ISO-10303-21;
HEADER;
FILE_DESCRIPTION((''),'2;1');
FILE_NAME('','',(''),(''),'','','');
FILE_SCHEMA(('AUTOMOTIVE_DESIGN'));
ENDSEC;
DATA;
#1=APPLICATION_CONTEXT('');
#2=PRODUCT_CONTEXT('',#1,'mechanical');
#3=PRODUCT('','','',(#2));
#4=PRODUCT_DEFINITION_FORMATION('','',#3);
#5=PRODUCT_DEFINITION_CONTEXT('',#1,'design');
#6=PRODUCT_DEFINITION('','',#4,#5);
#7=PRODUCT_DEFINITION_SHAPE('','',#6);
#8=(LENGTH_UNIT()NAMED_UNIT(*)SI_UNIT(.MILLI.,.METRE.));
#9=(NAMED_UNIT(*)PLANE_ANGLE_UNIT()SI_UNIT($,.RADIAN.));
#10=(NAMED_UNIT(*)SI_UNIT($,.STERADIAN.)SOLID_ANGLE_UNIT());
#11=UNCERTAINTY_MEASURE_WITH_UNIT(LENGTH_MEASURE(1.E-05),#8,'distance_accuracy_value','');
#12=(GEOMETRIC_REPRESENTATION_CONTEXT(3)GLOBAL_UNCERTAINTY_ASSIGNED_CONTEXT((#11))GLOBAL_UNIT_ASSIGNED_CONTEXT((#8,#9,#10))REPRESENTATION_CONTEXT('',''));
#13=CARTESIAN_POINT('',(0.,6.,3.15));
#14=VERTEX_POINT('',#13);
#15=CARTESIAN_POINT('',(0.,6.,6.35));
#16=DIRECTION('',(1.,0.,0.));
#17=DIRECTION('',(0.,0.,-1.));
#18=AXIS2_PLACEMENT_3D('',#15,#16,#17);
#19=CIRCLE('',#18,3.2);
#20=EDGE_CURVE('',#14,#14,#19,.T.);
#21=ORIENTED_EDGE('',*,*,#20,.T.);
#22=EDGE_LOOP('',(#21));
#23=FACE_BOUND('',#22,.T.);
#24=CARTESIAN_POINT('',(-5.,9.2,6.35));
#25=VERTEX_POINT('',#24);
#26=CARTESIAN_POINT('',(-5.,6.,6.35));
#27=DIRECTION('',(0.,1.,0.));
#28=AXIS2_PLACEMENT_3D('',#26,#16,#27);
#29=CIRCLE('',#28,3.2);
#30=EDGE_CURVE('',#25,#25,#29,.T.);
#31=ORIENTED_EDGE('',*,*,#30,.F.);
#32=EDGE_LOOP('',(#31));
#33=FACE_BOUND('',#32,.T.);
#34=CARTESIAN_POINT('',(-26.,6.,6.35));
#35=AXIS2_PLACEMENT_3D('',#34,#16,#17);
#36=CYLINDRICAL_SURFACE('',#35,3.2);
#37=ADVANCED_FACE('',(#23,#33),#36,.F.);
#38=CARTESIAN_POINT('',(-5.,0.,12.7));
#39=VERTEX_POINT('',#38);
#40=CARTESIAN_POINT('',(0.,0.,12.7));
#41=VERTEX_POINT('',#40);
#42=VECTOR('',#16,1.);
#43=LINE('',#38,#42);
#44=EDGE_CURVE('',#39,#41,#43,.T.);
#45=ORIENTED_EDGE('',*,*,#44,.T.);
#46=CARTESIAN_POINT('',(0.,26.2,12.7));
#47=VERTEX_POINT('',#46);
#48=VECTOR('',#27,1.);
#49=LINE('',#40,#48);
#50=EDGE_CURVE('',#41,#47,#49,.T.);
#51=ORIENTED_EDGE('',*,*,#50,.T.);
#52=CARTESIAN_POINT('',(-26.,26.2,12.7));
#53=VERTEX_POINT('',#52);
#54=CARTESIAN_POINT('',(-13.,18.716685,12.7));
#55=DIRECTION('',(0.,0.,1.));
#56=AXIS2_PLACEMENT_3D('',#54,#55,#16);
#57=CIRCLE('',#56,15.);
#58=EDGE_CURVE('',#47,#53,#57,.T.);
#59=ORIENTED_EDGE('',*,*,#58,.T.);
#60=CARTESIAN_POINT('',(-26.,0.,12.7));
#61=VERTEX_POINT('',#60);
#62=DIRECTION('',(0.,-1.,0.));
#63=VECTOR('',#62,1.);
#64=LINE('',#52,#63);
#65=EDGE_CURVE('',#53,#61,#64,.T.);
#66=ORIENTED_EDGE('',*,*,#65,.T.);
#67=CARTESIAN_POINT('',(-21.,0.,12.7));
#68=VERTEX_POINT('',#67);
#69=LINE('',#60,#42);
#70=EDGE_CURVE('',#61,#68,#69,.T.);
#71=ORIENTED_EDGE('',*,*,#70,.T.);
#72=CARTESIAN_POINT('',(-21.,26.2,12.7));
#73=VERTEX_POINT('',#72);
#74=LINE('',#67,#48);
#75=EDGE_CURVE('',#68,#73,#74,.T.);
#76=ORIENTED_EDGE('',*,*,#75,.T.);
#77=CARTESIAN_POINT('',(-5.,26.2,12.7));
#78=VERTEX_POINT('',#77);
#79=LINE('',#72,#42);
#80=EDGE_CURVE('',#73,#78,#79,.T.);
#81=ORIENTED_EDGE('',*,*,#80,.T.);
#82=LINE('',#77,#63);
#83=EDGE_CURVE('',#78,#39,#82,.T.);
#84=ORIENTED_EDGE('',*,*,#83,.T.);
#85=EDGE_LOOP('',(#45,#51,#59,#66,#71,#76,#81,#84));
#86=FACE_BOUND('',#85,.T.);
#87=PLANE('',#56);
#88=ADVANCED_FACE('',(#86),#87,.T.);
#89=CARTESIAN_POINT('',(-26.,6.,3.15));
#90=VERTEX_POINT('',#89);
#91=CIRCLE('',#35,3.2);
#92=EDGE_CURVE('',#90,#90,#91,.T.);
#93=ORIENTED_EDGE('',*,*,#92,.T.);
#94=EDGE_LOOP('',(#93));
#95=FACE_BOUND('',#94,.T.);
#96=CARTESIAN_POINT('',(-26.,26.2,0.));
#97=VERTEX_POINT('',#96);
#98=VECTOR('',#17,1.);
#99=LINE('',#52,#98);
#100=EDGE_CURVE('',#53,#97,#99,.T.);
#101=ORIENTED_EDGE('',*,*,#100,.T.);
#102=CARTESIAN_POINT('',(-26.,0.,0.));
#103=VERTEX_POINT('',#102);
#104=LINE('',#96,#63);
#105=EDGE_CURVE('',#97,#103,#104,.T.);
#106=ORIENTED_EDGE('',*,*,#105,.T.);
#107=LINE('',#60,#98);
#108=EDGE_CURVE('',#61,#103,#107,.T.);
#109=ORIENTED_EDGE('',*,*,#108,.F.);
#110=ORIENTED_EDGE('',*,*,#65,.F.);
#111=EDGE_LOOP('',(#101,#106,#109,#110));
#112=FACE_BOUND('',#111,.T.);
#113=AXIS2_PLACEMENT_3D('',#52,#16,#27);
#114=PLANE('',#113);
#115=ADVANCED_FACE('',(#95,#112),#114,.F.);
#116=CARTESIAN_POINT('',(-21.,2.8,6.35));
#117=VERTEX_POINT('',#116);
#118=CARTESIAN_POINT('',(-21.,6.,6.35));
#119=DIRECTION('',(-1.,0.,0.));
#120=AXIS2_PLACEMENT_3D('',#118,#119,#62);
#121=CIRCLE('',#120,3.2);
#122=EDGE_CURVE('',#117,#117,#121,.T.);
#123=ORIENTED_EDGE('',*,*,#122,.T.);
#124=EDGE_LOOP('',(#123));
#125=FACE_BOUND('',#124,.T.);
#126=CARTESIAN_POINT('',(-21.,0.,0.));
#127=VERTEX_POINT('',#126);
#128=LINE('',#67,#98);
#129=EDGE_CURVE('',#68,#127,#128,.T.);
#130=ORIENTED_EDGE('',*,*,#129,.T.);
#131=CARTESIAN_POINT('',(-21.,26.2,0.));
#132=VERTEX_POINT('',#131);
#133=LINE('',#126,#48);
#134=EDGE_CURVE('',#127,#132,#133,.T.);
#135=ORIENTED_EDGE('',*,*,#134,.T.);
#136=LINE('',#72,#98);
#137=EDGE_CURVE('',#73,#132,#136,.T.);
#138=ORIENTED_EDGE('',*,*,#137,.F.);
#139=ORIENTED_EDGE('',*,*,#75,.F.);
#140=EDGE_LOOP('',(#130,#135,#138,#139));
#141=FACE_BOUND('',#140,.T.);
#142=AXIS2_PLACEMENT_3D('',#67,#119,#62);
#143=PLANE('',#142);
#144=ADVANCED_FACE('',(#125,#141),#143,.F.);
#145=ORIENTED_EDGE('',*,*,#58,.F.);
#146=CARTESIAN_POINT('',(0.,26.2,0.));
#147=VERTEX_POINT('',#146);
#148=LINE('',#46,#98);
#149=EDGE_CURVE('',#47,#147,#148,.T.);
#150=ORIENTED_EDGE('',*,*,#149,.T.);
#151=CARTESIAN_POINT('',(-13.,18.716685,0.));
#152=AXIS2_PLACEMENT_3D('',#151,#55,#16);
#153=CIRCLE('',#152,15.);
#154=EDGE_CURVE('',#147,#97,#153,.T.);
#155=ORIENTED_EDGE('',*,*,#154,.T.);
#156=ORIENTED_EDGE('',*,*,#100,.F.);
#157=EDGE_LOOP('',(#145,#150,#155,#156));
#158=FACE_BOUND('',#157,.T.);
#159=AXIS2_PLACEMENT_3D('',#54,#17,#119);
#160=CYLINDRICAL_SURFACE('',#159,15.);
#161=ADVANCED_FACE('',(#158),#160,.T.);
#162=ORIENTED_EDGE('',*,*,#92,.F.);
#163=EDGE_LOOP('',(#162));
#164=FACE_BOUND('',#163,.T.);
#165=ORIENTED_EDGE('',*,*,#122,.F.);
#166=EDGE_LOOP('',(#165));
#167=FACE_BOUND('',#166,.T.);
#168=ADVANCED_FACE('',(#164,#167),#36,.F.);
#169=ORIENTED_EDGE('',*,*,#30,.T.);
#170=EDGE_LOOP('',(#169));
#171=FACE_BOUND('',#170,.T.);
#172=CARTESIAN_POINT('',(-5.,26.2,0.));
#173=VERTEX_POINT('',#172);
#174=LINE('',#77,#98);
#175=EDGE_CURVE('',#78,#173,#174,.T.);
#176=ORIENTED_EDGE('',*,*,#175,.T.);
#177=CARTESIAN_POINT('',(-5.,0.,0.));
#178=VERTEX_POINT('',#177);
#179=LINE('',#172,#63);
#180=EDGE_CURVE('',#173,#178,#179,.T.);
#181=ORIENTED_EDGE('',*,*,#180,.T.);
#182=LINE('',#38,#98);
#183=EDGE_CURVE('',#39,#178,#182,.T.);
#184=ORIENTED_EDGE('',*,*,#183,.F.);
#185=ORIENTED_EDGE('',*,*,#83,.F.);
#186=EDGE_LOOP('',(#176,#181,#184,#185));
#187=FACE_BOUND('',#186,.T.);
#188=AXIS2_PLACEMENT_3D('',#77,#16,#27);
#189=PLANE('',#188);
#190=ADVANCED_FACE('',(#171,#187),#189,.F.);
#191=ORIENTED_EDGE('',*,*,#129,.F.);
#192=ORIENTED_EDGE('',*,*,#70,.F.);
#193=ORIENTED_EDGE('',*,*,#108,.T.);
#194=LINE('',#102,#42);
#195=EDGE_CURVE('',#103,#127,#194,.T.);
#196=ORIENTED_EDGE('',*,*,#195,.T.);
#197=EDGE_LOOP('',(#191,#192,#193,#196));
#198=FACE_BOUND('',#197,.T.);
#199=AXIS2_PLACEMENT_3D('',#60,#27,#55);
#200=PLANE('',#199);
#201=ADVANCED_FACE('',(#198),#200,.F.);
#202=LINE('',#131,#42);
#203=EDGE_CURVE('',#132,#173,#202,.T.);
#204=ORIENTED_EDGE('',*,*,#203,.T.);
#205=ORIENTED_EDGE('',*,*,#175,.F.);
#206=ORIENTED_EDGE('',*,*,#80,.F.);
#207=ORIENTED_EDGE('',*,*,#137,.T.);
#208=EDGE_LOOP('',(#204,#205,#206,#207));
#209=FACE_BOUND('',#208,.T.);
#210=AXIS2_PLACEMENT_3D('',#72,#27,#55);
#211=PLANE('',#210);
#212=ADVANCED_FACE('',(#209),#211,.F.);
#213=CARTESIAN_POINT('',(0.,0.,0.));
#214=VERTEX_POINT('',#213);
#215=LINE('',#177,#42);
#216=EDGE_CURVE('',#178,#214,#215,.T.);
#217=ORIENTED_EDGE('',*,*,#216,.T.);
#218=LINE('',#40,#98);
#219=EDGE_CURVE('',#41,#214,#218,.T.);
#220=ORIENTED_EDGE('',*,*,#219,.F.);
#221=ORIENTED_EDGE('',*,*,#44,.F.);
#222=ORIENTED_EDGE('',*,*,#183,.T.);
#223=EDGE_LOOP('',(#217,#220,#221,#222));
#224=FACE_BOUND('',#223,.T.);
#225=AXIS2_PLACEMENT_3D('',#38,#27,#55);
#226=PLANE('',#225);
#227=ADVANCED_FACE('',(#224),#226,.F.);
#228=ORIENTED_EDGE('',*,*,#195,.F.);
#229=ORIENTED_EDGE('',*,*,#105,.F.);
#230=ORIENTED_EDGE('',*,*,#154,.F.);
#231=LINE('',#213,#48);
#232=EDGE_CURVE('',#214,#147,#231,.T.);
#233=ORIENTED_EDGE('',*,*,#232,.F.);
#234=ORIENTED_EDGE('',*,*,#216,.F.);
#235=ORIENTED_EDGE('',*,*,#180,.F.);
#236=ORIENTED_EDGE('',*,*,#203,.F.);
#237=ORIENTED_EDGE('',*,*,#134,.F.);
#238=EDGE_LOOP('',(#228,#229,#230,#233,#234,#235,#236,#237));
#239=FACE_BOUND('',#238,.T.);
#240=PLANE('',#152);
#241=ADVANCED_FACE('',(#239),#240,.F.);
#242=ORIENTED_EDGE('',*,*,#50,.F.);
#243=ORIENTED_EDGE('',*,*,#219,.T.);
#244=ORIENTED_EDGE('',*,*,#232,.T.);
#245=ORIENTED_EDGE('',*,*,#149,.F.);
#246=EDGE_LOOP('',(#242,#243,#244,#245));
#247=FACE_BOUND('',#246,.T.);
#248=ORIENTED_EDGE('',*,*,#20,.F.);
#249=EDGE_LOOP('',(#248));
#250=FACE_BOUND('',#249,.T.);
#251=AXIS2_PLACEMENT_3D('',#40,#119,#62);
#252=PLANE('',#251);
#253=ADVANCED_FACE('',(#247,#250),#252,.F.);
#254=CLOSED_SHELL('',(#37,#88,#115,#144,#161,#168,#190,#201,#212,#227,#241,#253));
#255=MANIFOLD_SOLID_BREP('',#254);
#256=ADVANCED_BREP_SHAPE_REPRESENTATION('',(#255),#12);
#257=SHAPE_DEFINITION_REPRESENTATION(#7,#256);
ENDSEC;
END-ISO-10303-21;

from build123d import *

# Parameters (mm, degrees)
BOSS_EXTRUDE1_DEPTH = 12.7
SKETCH2_R           = 3.2
CUT_EXTRUDE1_DEPTH  = 27


with BuildPart() as part:
    # Sketch1 → Boss-Extrude1 (new body)
    with BuildSketch(Plane.XY):
        with BuildLine():
            Line((0, 0), (0, 26.2))
            ThreePointArc((0, 26.2), (-13, 33.716685226), (-26, 26.2))
            Line((-26, 26.2), (-26, 0))
            Line((-26, 0), (-21, 0))
            Line((-21, 0), (-21, 26.2))
            Line((-21, 26.2), (-5, 26.2))
            Line((-5, 26.2), (-5, 0))
            Line((-5, 0), (0, 0))
        make_face()
    extrude(amount=BOSS_EXTRUDE1_DEPTH)

    # Sketch2 → Cut-Extrude1 (cut, through all)
    with BuildSketch(Plane(origin=(0, 0, 0), x_dir=(0, 0, -1), z_dir=(1, 0, 0))):
        with Locations((-6.35, 6)):
            Circle(SKETCH2_R)
    extrude(amount=-CUT_EXTRUDE1_DEPTH, mode=Mode.SUBTRACT)


solid = part.part
